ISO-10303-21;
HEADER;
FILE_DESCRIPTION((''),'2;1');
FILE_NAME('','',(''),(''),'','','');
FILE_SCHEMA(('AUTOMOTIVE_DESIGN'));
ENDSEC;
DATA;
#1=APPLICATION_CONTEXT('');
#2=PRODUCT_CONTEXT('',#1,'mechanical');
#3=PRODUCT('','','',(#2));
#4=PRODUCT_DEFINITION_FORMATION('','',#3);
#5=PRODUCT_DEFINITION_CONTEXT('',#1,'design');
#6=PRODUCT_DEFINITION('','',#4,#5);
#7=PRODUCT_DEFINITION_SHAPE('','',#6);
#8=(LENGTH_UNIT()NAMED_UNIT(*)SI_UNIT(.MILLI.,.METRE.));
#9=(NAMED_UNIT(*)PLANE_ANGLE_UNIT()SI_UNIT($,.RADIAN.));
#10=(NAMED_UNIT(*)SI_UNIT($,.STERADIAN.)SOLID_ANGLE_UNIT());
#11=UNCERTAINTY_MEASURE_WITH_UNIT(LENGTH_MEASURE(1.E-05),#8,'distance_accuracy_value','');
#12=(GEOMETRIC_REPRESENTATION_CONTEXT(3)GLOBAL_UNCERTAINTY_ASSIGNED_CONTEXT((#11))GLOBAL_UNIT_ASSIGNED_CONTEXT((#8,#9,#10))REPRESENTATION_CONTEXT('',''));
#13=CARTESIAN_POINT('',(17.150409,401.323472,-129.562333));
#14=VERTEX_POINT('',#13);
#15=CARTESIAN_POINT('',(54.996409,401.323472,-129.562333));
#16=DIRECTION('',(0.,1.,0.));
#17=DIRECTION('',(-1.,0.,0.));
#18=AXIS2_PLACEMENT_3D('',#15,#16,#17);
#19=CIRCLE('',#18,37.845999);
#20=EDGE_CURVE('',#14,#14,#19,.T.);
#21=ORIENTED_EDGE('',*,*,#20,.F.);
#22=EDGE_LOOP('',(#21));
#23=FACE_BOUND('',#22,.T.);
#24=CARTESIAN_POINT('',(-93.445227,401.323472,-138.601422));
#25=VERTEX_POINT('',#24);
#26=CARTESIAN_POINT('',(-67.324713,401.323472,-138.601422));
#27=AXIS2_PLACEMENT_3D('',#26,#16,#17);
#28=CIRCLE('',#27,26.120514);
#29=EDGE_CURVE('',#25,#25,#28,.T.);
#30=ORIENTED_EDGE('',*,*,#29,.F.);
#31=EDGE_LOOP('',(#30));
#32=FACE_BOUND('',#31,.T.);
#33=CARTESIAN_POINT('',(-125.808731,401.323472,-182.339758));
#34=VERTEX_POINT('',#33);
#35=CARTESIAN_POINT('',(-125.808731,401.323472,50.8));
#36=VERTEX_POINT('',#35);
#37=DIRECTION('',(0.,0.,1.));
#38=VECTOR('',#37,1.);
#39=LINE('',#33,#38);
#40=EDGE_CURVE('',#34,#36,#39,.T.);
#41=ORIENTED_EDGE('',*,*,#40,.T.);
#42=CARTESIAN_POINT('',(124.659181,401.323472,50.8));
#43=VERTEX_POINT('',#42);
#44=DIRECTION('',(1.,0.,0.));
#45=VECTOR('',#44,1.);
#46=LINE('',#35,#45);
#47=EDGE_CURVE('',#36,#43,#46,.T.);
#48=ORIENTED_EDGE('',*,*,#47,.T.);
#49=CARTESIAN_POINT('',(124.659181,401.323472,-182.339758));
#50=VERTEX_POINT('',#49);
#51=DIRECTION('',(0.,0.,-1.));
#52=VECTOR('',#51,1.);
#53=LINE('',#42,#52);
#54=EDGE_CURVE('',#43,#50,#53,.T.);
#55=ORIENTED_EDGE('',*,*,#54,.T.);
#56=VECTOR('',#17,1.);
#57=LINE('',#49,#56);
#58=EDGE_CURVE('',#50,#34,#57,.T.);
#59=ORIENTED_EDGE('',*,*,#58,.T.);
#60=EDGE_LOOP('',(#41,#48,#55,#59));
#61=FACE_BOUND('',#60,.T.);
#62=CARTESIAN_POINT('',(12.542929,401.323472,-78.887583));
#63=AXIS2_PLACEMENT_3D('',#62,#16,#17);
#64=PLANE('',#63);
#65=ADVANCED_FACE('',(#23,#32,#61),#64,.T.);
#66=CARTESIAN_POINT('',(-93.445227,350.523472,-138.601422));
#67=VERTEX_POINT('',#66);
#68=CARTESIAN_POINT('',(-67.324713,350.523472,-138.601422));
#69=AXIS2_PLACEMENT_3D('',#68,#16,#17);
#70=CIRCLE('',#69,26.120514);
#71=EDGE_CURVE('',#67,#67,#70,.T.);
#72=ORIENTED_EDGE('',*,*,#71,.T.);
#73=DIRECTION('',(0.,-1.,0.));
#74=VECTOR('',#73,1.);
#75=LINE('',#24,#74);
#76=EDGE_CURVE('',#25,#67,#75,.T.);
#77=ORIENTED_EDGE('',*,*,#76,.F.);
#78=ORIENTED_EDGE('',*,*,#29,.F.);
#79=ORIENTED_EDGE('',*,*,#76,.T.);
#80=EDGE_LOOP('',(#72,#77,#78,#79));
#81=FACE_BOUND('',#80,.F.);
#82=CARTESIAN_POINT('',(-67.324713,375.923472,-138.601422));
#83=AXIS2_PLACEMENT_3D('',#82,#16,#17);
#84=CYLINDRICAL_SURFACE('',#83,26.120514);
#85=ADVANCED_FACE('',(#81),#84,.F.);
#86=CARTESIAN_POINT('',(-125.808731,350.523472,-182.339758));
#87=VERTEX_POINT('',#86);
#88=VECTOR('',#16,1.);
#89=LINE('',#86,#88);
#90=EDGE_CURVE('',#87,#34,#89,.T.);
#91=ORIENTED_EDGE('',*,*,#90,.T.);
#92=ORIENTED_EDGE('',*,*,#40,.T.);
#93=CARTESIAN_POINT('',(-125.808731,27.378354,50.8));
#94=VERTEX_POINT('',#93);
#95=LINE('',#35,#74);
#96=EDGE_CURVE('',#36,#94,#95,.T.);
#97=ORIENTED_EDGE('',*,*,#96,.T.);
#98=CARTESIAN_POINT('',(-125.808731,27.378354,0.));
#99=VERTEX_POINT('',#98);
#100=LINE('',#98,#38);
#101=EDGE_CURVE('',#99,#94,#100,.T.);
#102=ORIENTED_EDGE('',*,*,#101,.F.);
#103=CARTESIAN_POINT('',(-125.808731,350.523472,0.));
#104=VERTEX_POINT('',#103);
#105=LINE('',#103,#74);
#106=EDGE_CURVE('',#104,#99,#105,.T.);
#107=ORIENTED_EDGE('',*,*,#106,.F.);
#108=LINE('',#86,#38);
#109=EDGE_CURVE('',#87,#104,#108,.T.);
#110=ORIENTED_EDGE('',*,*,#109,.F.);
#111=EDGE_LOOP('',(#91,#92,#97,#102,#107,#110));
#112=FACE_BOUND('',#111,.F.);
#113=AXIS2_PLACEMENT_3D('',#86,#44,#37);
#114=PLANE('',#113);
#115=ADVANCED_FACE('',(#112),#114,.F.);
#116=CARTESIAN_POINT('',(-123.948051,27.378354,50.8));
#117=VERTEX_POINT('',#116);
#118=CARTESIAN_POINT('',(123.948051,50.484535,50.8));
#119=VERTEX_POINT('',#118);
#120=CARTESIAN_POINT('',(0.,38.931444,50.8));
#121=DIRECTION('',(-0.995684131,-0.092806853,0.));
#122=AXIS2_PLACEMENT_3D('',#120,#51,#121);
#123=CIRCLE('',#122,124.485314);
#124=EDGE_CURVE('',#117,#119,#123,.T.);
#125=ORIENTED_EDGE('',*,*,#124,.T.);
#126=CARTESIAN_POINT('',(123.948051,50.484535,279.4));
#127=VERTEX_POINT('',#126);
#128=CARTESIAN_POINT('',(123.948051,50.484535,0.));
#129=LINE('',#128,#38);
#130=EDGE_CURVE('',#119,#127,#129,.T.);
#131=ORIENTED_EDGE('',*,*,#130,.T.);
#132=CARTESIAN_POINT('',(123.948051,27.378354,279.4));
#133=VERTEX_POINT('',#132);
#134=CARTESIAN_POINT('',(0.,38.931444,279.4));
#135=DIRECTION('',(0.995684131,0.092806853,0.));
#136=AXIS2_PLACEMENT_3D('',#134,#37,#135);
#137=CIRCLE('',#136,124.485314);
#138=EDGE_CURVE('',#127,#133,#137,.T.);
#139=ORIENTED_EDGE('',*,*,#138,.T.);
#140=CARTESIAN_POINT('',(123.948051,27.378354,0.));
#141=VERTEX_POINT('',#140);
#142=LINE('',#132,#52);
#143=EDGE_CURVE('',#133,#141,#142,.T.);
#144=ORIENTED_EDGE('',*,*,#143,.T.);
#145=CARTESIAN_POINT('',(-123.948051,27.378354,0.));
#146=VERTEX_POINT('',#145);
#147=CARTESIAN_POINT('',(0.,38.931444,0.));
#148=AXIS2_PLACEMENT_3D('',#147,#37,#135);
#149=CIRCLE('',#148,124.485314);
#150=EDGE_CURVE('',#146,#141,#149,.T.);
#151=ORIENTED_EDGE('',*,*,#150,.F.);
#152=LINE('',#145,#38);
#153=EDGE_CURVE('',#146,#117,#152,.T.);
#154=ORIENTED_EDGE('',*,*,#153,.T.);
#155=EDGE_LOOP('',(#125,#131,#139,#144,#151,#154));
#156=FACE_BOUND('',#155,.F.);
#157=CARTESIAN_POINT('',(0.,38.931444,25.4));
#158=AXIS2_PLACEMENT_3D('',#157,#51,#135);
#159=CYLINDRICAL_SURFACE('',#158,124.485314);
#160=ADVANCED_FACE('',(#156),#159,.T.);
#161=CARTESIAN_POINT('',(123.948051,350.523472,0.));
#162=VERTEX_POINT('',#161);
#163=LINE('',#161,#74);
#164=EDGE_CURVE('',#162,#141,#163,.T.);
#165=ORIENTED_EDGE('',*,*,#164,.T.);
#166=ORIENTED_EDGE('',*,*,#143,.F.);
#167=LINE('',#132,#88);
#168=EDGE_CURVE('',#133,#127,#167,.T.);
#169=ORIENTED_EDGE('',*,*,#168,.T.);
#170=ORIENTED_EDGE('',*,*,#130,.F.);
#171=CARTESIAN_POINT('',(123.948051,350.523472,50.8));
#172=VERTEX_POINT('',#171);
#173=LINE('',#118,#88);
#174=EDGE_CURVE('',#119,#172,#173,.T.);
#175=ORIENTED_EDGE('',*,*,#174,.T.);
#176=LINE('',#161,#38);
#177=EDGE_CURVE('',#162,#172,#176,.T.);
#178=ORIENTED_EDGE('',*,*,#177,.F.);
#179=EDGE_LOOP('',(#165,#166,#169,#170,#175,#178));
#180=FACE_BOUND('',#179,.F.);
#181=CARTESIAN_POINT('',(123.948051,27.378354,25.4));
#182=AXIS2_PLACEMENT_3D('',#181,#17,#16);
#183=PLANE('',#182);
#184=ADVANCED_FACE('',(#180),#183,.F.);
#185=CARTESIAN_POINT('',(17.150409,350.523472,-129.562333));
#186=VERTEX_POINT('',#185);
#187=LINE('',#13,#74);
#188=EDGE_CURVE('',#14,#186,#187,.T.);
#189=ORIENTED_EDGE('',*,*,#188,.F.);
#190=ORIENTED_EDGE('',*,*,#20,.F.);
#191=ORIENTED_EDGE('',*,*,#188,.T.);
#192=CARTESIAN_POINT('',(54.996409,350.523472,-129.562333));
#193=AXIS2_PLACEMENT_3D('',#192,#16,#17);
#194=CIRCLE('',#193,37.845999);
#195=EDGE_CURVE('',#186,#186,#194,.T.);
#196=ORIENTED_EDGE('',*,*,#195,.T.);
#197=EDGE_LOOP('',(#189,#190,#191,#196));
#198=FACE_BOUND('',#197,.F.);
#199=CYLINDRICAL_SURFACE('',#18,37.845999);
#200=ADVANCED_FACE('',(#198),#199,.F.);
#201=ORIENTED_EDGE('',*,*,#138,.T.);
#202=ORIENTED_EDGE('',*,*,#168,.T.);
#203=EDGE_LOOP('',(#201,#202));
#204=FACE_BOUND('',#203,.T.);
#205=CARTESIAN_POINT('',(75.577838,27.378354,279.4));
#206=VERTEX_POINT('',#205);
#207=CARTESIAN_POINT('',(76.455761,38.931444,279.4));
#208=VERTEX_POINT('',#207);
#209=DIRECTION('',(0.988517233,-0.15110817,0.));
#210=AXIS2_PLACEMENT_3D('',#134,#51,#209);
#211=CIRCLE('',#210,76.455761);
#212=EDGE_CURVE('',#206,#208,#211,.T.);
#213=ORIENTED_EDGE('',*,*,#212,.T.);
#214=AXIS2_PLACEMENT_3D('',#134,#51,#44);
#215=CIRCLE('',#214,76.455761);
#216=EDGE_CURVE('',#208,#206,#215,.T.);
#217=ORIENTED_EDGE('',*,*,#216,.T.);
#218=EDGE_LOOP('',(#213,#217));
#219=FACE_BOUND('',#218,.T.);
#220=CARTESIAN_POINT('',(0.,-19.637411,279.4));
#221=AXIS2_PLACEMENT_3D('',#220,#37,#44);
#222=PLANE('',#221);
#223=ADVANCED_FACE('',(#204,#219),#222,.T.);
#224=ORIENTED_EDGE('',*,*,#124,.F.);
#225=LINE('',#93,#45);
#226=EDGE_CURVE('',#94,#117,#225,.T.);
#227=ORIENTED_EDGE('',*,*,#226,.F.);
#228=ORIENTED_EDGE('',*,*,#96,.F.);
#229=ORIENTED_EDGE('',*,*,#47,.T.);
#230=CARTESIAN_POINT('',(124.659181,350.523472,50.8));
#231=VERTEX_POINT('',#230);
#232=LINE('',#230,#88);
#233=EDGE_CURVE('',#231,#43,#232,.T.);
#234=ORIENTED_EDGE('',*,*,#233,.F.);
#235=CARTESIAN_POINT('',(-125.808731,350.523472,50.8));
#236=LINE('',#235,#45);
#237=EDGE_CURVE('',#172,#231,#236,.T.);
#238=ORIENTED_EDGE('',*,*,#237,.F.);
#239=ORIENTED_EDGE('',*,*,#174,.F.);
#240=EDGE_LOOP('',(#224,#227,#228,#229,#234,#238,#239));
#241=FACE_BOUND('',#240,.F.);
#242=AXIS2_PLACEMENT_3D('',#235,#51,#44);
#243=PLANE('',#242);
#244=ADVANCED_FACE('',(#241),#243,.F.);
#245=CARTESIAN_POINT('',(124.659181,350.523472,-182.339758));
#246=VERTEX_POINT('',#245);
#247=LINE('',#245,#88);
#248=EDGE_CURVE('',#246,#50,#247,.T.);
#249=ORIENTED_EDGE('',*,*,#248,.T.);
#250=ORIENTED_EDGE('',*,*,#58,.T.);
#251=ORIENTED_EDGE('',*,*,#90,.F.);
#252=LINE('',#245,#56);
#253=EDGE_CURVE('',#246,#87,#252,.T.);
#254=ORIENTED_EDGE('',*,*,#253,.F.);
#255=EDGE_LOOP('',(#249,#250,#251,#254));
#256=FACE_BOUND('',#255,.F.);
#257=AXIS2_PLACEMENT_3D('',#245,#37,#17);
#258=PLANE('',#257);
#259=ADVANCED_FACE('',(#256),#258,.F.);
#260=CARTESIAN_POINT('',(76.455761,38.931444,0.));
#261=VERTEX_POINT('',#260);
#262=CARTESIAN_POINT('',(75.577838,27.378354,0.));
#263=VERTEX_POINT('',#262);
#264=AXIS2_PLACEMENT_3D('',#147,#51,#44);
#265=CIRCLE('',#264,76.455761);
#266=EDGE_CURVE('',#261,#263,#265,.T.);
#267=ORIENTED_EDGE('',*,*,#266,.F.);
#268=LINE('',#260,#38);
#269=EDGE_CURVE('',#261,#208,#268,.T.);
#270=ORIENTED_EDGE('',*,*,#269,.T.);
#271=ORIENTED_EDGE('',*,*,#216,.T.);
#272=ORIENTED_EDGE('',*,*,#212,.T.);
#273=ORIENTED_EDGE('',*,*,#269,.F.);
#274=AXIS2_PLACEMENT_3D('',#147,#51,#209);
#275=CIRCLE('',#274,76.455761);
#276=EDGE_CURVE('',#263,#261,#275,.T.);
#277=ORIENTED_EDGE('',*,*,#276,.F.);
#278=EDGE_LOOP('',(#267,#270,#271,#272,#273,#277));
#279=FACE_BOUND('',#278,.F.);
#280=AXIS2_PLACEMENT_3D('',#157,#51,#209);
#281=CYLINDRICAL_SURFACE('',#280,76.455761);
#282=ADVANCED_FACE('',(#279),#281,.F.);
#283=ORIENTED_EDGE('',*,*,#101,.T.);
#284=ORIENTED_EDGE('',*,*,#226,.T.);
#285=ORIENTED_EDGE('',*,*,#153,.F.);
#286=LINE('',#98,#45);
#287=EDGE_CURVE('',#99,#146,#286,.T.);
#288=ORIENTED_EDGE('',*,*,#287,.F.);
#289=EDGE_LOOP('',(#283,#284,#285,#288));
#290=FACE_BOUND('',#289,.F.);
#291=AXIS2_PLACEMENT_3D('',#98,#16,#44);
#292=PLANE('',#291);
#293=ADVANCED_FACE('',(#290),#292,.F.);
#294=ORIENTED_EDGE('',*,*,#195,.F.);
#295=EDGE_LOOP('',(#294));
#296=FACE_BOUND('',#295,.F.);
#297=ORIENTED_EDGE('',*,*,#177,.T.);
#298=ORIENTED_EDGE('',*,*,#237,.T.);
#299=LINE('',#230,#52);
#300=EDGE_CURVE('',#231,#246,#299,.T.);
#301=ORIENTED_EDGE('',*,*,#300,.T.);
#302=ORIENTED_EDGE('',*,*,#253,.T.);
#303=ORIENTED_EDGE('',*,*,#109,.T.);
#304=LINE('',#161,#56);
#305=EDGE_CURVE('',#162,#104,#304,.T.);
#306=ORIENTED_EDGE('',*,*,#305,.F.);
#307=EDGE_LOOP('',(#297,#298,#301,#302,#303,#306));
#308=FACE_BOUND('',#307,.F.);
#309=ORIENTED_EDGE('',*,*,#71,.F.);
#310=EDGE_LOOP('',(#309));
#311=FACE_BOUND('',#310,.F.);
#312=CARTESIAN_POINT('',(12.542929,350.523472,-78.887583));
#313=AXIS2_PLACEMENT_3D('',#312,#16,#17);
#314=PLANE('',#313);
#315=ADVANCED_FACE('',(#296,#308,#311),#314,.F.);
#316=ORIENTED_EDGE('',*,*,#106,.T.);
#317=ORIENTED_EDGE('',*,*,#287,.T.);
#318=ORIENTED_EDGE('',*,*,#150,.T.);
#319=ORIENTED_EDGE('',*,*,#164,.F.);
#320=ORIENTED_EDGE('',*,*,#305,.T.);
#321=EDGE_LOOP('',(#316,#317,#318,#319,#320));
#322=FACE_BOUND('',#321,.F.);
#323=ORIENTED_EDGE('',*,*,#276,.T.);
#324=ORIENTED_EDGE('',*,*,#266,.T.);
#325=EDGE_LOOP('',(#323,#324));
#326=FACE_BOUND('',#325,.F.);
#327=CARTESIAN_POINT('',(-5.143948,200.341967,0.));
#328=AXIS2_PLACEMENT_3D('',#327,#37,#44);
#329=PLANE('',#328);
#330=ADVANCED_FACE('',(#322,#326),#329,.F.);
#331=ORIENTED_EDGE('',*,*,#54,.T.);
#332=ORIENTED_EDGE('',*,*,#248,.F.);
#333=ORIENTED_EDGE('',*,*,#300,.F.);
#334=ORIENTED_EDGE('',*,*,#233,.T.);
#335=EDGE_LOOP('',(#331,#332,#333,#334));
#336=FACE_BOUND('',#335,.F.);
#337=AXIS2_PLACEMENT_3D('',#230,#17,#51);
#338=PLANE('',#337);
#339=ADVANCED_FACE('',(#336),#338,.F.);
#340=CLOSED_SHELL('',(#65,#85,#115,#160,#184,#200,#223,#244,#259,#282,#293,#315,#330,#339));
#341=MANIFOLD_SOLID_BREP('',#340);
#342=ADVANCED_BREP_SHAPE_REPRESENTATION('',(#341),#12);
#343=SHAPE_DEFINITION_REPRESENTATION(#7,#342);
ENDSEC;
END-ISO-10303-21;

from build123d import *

# Parameters (mm, degrees)
F6_DEPTH  = 25.4
F1_DEPTH  = 254
F7_DEPTH  = 50.8
F8_W      = 249.756782063
F8_H      = 50.8
F2_DEPTH  = 50.8
F9_R      = 26.1205140938
F10_DEPTH = 25.4
F11_DEPTH = 25.4
F3_R      = 37.8459994155
F4_DEPTH  = 558.8


with BuildPart() as f6:
    # F0 (on Top) → F6 (new body)
    with BuildSketch(Plane.XY):
        with BuildLine():
            ThreePointArc((-123.9480513415, 27.3783540638), (0, -85.553869405), (123.9480513415, 27.3783540638))
            Line((123.9480513415, 27.3783540638), (75.5778377526, 27.3783540638))
            ThreePointArc((75.5778377526, 27.3783540638), (0, -37.5243171246), (-75.5778377526, 27.3783540638))
            Line((-75.5778377526, 27.3783540638), (-123.9480513415, 27.3783540638))
        make_face()
        with BuildLine():
            Line((75.5778377526, 27.3783540638), (123.9480513415, 27.3783540638))
            Line((123.9480513415, 27.3783540638), (123.9480513415, 50.4845345108))
            ThreePointArc((123.9480513415, 50.4845345108), (-11.5530902235, 162.8794956288), (-123.9480513415, 27.3783540638))
            Line((-123.9480513415, 27.3783540638), (-75.5778377526, 27.3783540638))
            ThreePointArc((-75.5778377526, 27.3783540638), (-5.7931995405, 115.1674088457), (76.4557614119, 38.9314442873))
            ThreePointArc((76.4557614119, 38.9314442873), (76.2359645584, 33.1382447468), (75.5778377526, 27.3783540638))
        make_face()
    extrude(amount=F6_DEPTH)

    # F1 (add): a face of the model
    f1_faces = [f6.faces().sort_by_distance(p)[0] for p in [
        (120.4308719295, 38.9314442873, 25.4),
    ]]
    extrude(f1_faces, amount=F1_DEPTH)

    # F0 (on Top) → F7 (join)
    with BuildSketch(Plane.XY):
        with BuildLine():
            Line((-125.8087307215, 27.3783540638), (-123.9480513415, 27.3783540638))
            ThreePointArc((-123.9480513415, 27.3783540638), (-11.5530902235, 162.8794956288), (123.9480513415, 50.4845345108))
            Line((123.9480513415, 50.4845345108), (123.9480513415, 350.5234718323))
            Line((123.9480513415, 350.5234718323), (-125.8087307215, 350.5234718323))
            Line((-125.8087307215, 350.5234718323), (-125.8087307215, 27.3783540638))
        make_face()
    extrude(amount=F7_DEPTH)

    # F8 (on face) → F2 (join)
    with BuildSketch(Plane(origin=(0, 350.5234718323, 0), x_dir=(-1, 0, 0), z_dir=(0, 1, 0))):
        Polygon((-123.9480513415, 0), (-123.9480513415, 50.8), (-124.6591806412, 50.8), (-124.6591806412, -182.3397576809), (125.8087307215, -182.3397576809), (125.8087307215, 0), align=None)
        with Locations((0.93033969, 25.4)):
            Rectangle(F8_W, F8_H)
    extrude(amount=F2_DEPTH)

    # F9 (on face) → F10 (cut)
    with BuildSketch(Plane(origin=(0, 401.3234718323, 0), x_dir=(-1, 0, 0), z_dir=(0, 1, 0))):
        with Locations((67.3247128725, -138.6014223099)):
            Circle(F9_R)
    extrude(amount=-F10_DEPTH, mode=Mode.SUBTRACT)

    # F11 (cut): a face of the model
    f11_faces = [f6.faces().sort_by_distance(p)[0] for p in [
        (-67.3247128725, 375.9234718323, -138.6014223099),
    ]]
    extrude(f11_faces, amount=-F11_DEPTH, mode=Mode.SUBTRACT)

    # F3 (on face) → F4 (cut)
    with BuildSketch(Plane(origin=(0, 401.3234718323, 0), x_dir=(-1, 0, 0), z_dir=(0, 1, 0))):
        with Locations((-54.9964085221, -129.5623332262)):
            Circle(F3_R)
    extrude(amount=-F4_DEPTH, mode=Mode.SUBTRACT)


solid = f6.part
